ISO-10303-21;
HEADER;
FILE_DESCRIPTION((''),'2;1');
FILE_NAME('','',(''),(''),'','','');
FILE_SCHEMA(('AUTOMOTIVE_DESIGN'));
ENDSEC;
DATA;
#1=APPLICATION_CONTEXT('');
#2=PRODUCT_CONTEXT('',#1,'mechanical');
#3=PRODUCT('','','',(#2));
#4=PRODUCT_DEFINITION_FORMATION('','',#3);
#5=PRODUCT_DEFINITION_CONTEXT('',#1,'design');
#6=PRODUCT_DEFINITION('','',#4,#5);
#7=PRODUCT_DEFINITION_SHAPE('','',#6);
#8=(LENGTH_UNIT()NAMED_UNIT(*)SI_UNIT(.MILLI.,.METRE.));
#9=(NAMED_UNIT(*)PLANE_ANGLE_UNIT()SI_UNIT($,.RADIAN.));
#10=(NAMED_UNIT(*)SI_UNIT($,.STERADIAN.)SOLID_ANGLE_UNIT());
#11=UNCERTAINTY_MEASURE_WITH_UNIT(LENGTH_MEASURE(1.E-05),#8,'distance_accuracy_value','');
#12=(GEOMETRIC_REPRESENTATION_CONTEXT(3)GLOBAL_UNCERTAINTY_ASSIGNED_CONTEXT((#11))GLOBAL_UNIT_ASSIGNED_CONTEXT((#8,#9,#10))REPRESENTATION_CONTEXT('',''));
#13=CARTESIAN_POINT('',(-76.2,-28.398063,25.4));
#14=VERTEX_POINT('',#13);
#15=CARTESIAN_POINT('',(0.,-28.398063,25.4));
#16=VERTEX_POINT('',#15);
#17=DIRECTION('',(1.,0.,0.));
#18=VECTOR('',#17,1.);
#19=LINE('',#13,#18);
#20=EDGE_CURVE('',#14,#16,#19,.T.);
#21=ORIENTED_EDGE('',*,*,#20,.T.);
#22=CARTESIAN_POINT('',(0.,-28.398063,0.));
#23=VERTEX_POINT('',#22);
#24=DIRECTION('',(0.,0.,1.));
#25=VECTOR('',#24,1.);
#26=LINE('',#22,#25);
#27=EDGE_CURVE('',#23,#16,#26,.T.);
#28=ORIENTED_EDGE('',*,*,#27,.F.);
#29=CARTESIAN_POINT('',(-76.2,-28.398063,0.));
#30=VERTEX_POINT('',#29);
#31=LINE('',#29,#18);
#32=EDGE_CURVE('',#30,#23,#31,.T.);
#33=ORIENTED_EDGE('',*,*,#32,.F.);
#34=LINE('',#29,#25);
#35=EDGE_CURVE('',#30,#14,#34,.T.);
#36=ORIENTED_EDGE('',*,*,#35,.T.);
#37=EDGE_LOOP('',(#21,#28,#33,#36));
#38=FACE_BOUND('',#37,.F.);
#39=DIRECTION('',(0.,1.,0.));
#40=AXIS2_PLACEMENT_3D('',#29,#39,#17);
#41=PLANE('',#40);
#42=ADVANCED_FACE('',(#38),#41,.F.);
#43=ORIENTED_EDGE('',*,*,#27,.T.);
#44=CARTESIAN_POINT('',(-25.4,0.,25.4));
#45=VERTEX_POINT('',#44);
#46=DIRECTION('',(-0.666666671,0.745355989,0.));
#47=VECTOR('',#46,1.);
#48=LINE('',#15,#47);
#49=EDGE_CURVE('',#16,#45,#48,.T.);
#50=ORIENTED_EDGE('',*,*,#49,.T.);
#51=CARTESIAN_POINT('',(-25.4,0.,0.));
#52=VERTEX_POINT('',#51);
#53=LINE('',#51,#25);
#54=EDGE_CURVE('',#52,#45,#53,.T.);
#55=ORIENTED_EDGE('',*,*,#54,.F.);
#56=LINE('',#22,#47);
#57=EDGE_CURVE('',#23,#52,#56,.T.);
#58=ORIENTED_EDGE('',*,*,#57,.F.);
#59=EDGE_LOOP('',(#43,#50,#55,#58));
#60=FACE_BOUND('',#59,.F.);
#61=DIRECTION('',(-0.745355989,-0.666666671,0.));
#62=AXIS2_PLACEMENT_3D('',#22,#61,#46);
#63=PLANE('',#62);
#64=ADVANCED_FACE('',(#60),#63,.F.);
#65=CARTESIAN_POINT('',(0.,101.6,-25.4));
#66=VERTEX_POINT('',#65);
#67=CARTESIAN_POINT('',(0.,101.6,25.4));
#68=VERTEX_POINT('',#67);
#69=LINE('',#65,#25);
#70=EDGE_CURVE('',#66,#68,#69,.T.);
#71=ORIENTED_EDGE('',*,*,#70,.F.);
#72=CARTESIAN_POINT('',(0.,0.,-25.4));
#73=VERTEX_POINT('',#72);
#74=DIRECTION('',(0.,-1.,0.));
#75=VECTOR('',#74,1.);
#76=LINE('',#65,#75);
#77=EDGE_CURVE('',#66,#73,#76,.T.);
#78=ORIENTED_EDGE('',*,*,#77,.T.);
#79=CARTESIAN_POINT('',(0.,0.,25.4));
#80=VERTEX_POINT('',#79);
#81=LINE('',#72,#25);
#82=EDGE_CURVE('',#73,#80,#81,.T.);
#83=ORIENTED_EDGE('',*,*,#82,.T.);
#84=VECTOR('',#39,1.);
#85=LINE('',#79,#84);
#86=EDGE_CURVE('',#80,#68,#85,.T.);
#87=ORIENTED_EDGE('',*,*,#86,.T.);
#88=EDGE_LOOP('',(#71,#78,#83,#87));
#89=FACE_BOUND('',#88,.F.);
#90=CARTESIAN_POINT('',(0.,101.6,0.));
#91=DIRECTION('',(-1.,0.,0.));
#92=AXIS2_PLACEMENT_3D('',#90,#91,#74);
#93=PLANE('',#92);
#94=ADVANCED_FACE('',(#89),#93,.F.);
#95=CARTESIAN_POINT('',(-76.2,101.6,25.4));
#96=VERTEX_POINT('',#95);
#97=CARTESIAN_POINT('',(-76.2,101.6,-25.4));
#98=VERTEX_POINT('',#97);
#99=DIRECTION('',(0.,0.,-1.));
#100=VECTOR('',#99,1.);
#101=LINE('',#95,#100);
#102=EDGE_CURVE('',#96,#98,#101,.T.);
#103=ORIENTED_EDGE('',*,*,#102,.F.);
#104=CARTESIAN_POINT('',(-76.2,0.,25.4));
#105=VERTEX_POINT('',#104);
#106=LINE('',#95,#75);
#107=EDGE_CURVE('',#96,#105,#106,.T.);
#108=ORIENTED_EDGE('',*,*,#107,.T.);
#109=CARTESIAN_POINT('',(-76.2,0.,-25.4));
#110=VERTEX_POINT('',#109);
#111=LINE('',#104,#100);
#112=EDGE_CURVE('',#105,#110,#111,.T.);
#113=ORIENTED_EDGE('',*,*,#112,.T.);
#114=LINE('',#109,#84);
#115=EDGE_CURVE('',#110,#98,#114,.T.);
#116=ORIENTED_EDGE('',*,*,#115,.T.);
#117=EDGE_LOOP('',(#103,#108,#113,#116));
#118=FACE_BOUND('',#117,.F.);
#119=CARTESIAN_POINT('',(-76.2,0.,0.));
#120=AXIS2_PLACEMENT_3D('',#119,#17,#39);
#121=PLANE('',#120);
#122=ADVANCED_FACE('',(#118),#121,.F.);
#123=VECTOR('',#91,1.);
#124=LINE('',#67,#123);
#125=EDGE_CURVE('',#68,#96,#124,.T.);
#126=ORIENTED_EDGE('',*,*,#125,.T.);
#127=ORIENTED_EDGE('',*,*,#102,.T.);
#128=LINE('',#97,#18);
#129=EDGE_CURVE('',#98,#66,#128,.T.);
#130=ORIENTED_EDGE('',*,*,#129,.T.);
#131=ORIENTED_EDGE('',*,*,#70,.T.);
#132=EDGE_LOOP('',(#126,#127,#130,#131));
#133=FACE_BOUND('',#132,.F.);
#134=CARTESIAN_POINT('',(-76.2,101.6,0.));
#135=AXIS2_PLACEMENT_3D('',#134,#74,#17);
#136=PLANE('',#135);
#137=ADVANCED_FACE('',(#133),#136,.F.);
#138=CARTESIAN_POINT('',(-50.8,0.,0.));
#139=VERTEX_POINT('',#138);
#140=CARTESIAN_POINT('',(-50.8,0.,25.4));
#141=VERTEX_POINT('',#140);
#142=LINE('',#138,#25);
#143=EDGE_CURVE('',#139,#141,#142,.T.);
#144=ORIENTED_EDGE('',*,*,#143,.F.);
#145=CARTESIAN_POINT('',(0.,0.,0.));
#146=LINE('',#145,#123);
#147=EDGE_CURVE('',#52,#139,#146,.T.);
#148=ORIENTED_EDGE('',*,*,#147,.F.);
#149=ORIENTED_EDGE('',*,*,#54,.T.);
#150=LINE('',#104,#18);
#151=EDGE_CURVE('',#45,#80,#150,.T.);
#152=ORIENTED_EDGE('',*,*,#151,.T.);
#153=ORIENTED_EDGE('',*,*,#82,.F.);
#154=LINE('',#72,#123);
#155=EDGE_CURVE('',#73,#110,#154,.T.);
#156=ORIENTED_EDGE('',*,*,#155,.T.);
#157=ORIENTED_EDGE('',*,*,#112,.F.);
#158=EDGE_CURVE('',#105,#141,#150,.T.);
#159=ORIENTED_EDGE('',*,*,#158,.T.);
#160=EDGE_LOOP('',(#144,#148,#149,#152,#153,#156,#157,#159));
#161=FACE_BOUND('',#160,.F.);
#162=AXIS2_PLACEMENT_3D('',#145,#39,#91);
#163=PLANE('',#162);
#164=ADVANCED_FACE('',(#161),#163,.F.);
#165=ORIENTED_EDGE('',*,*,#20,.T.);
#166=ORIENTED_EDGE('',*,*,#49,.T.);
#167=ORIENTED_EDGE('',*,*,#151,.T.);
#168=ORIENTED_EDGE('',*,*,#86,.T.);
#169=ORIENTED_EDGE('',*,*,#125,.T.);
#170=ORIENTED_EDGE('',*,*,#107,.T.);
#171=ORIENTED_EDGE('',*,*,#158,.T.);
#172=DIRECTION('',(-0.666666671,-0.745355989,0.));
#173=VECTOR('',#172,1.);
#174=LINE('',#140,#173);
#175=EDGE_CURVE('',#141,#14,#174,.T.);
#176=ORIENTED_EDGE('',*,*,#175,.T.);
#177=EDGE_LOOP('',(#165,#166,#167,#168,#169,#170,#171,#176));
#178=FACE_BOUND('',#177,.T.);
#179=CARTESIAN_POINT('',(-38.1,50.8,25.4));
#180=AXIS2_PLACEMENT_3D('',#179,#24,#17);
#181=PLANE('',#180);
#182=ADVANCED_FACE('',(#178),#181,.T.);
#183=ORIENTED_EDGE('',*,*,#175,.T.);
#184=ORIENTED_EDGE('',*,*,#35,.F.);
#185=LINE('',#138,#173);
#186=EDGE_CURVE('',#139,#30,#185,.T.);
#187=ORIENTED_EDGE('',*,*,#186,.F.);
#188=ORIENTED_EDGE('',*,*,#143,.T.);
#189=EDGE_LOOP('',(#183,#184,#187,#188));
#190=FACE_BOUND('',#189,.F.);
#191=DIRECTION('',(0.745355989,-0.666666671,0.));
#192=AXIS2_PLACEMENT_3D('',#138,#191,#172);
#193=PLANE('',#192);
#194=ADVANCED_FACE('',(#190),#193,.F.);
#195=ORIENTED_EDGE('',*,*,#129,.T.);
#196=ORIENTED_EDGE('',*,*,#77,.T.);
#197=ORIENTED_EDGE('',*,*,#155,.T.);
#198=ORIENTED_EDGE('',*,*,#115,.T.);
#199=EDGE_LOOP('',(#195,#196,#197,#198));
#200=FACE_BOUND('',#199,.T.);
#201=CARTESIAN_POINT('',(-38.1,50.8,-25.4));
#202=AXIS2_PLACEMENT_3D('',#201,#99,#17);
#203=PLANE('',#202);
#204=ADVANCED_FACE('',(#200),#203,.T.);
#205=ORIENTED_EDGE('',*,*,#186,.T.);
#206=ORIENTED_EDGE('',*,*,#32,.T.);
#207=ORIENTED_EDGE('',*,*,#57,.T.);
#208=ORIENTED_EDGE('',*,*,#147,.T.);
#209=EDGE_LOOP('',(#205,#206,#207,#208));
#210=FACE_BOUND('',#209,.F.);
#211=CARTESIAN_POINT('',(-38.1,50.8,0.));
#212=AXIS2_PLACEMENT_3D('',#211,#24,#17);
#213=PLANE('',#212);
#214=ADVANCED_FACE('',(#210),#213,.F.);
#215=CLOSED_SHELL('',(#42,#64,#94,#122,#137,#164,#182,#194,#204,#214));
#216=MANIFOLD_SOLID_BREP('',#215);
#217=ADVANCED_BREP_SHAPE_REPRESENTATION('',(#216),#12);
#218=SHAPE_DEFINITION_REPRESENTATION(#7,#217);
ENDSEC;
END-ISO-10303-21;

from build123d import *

# Parameters (mm, degrees)
F1_DEPTH = 25.4
F3_DEPTH = 25.4


with BuildPart() as f1:
    # F0 (on Top) → F1 (new body)
    with BuildSketch(Plane.XY):
        Polygon((-25.4, 0), (0, 0), (0, 101.6), (-76.2, 101.6), (-76.2, 0), (-50.8, 0), align=None)
        Polygon((0, -28.398063), (-25.4, 0), (-50.8, 0), (-76.2, -28.398063), align=None)
    extrude(amount=F1_DEPTH)

    # F2 (on face) → F3 (join)
    with BuildSketch(Plane(origin=(0, 0, 0), x_dir=(1, 0, 0), z_dir=(0, 0, -1))):
        Polygon((0, 0), (-25.4, 0), (-50.8, 0), (-76.2, 0), (-76.2, -101.6), (0, -101.6), align=None)
    extrude(amount=F3_DEPTH)


solid = f1.part
